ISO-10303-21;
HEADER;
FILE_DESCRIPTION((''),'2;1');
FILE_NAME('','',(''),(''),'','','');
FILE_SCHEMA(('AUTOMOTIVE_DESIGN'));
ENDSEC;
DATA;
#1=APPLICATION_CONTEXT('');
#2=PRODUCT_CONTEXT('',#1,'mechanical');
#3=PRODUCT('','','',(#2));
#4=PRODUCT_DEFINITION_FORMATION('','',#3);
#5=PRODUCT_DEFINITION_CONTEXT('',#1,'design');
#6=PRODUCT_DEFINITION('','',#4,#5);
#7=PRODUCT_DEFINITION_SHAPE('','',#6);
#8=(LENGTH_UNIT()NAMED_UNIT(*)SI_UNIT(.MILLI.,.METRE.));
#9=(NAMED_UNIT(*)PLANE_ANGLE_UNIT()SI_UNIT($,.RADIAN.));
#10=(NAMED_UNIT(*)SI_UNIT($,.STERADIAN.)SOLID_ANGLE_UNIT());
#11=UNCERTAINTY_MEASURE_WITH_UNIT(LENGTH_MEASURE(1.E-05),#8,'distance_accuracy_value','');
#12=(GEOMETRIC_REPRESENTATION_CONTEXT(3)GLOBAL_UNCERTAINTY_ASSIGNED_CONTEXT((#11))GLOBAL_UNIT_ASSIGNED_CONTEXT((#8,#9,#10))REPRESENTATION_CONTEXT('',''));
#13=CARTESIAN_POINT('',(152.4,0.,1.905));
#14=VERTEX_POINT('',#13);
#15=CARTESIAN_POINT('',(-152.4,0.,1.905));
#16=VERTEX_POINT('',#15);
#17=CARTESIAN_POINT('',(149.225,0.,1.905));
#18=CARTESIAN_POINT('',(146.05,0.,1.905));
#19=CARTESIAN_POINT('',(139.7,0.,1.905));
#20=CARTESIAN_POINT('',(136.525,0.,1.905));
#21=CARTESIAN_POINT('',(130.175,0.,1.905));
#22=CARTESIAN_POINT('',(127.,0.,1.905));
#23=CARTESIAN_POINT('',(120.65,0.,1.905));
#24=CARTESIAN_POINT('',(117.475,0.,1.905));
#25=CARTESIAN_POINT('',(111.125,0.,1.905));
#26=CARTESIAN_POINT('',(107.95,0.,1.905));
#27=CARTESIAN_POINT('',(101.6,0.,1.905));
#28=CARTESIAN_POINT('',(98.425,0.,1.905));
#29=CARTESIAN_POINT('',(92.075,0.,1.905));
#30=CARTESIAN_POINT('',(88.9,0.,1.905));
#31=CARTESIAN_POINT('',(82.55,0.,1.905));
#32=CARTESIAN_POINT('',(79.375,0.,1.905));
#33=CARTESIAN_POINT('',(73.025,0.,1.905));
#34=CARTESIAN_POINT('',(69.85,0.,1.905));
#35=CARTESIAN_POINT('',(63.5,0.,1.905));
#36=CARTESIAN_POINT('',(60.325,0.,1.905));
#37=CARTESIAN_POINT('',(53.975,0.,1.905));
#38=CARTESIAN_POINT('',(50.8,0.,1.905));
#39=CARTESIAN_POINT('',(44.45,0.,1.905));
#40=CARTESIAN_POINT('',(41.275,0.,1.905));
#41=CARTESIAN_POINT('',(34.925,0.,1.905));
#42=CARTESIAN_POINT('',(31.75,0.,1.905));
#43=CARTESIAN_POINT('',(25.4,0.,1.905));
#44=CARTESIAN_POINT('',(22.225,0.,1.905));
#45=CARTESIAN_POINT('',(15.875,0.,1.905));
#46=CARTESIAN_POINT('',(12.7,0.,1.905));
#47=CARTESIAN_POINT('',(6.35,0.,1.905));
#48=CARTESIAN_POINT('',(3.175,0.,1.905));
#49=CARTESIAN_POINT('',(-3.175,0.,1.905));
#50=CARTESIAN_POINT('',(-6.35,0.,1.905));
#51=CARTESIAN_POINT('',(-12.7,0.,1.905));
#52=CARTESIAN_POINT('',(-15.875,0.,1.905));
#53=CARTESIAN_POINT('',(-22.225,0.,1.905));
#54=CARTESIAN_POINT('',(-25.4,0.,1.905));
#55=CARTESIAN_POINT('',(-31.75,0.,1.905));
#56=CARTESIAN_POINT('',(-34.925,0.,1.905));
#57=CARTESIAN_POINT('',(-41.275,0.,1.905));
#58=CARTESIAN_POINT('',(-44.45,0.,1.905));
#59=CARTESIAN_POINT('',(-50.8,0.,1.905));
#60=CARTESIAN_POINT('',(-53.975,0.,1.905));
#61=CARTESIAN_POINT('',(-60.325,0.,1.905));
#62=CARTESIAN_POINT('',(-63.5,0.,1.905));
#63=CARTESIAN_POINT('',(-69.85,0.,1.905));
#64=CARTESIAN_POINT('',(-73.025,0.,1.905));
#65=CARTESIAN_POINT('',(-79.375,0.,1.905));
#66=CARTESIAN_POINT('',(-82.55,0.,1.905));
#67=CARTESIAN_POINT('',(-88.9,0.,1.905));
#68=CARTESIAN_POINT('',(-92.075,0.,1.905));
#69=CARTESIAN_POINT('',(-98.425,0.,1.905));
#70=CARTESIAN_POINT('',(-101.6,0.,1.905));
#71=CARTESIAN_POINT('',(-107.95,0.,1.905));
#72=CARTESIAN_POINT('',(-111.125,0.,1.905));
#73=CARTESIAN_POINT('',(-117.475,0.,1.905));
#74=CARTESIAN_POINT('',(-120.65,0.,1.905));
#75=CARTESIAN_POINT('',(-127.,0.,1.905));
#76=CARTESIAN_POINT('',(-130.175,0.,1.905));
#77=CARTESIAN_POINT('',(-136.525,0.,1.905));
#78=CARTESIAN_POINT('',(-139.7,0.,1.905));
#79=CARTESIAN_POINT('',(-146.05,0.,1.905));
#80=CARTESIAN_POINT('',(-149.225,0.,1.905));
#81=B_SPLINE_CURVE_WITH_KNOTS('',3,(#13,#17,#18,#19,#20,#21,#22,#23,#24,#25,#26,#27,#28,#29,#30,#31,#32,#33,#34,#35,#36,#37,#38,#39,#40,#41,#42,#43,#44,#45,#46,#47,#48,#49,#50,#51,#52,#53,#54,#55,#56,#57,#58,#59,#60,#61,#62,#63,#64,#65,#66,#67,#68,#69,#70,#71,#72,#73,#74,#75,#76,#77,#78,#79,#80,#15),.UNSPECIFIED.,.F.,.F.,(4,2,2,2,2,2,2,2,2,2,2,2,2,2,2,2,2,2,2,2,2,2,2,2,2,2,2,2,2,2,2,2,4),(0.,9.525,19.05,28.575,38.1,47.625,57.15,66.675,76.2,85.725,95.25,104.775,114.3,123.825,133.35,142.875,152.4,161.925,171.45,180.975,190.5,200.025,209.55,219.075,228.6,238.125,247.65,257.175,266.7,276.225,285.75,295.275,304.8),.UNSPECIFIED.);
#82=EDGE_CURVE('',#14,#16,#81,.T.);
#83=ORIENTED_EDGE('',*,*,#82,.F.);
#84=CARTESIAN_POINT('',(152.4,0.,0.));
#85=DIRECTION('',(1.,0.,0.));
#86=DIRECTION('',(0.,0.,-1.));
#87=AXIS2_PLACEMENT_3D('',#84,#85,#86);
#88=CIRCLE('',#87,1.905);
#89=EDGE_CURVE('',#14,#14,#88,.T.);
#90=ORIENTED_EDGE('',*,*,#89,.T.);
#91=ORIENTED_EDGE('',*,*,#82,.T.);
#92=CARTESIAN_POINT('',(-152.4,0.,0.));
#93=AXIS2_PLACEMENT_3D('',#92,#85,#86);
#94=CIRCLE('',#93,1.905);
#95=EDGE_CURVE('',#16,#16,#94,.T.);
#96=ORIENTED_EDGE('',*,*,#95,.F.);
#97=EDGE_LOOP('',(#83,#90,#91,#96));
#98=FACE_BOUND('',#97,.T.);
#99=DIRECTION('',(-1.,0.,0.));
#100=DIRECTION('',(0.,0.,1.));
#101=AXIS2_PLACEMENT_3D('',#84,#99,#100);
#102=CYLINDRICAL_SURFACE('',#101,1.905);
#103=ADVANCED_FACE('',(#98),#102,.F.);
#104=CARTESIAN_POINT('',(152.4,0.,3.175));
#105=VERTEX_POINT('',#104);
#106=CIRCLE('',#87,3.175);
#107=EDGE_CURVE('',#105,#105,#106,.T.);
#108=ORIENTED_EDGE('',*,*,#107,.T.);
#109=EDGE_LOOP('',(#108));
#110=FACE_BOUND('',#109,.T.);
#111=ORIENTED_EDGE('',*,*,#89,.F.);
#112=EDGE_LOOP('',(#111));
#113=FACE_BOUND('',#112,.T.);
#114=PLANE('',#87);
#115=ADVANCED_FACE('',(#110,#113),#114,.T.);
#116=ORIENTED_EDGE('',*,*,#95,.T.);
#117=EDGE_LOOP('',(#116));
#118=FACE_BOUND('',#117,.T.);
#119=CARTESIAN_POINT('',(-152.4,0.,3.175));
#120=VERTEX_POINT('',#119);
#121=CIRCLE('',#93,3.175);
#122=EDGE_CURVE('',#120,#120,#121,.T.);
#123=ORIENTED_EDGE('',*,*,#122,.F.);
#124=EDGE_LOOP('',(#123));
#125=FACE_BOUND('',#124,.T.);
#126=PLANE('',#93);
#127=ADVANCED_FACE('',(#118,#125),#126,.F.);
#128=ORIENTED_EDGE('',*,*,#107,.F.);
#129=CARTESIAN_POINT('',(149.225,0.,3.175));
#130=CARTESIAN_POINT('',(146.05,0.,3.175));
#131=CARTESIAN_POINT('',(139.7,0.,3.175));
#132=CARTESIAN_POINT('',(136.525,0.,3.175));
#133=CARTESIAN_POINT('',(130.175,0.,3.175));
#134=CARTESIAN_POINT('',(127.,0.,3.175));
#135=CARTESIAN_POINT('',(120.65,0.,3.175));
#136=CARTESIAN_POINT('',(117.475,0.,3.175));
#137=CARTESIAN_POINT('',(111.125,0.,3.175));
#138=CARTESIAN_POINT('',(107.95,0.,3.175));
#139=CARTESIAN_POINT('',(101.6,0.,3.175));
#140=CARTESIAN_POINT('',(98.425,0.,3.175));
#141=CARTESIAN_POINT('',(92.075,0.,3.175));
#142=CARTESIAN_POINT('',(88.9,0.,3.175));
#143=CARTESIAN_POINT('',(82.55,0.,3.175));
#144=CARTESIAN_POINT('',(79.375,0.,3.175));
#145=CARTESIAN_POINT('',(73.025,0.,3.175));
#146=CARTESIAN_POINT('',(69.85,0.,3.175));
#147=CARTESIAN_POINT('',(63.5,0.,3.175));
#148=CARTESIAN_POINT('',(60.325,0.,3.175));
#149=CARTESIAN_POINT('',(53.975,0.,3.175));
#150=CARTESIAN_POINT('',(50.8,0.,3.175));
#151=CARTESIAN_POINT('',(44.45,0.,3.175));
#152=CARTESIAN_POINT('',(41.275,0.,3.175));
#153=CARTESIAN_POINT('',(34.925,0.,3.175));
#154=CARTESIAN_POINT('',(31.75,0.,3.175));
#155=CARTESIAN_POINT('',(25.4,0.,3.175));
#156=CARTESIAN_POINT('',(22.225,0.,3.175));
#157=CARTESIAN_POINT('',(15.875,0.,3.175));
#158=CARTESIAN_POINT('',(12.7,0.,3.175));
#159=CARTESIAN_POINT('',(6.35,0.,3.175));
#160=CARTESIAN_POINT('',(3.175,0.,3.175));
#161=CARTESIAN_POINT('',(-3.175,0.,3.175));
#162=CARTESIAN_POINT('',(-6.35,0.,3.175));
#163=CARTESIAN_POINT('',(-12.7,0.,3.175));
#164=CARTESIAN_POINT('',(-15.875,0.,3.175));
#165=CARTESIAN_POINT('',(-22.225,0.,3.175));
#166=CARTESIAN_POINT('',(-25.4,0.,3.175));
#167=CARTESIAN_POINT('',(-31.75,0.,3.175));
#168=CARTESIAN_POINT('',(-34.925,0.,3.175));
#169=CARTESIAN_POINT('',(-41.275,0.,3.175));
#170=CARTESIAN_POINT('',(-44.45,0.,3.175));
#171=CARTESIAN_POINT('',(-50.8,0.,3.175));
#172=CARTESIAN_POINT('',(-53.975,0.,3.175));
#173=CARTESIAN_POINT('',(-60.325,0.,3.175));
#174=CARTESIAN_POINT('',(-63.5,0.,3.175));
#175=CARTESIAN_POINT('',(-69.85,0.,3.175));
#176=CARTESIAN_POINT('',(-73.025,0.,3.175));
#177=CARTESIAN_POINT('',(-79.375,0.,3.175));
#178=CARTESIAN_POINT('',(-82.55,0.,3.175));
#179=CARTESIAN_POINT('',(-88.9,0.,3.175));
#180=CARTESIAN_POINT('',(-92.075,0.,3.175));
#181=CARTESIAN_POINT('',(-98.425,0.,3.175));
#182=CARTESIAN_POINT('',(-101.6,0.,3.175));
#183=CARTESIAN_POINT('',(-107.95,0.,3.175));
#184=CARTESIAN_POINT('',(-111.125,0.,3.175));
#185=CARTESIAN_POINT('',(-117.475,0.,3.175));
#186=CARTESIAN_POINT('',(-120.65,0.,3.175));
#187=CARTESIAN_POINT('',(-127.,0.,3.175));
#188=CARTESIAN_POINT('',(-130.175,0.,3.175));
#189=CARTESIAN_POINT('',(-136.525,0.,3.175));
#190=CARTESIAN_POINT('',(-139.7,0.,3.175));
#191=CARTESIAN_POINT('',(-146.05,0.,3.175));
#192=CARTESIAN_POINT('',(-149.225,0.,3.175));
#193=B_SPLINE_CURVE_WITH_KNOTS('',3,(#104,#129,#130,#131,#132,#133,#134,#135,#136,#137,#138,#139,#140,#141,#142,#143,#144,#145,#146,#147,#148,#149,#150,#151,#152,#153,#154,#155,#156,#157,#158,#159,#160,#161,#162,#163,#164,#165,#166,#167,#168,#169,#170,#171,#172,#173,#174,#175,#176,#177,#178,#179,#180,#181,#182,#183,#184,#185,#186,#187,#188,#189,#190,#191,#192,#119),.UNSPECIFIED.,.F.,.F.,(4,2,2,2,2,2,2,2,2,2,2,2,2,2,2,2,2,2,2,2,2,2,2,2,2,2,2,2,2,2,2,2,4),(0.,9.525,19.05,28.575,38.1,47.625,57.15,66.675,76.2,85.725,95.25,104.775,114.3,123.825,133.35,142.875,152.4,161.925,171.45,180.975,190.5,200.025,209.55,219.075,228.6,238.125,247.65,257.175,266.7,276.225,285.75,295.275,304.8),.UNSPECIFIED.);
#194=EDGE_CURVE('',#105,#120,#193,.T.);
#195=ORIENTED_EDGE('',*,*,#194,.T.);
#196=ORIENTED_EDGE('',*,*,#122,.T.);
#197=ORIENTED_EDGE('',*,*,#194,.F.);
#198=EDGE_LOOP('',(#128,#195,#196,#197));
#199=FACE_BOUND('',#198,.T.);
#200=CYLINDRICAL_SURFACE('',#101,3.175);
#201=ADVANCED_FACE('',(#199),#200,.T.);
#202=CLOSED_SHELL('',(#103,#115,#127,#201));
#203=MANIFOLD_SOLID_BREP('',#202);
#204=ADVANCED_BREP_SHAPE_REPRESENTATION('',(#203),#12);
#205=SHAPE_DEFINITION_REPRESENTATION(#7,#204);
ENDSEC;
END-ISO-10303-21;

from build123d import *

# Parameters (mm, degrees)
SKETCH1_R      = 3.175
SKETCH1_R_2    = 1.905
EXTRUDE1_DEPTH = 152.4


with BuildPart() as part:
    # Sketch1 → Extrude1 (new, symmetric)
    with BuildSketch(Plane(origin=(0, 0, 0), x_dir=(0, 0, -1), z_dir=(1, 0, 0))):
        with Locations(Location((0, 0, 0), (0, 0, 180))):
            Circle(SKETCH1_R)
        with Locations(Location((0, 0, 0), (0, 0, 180))):
            Circle(SKETCH1_R_2, mode=Mode.SUBTRACT)
    extrude(amount=EXTRUDE1_DEPTH, both=True)


solid = part.part
